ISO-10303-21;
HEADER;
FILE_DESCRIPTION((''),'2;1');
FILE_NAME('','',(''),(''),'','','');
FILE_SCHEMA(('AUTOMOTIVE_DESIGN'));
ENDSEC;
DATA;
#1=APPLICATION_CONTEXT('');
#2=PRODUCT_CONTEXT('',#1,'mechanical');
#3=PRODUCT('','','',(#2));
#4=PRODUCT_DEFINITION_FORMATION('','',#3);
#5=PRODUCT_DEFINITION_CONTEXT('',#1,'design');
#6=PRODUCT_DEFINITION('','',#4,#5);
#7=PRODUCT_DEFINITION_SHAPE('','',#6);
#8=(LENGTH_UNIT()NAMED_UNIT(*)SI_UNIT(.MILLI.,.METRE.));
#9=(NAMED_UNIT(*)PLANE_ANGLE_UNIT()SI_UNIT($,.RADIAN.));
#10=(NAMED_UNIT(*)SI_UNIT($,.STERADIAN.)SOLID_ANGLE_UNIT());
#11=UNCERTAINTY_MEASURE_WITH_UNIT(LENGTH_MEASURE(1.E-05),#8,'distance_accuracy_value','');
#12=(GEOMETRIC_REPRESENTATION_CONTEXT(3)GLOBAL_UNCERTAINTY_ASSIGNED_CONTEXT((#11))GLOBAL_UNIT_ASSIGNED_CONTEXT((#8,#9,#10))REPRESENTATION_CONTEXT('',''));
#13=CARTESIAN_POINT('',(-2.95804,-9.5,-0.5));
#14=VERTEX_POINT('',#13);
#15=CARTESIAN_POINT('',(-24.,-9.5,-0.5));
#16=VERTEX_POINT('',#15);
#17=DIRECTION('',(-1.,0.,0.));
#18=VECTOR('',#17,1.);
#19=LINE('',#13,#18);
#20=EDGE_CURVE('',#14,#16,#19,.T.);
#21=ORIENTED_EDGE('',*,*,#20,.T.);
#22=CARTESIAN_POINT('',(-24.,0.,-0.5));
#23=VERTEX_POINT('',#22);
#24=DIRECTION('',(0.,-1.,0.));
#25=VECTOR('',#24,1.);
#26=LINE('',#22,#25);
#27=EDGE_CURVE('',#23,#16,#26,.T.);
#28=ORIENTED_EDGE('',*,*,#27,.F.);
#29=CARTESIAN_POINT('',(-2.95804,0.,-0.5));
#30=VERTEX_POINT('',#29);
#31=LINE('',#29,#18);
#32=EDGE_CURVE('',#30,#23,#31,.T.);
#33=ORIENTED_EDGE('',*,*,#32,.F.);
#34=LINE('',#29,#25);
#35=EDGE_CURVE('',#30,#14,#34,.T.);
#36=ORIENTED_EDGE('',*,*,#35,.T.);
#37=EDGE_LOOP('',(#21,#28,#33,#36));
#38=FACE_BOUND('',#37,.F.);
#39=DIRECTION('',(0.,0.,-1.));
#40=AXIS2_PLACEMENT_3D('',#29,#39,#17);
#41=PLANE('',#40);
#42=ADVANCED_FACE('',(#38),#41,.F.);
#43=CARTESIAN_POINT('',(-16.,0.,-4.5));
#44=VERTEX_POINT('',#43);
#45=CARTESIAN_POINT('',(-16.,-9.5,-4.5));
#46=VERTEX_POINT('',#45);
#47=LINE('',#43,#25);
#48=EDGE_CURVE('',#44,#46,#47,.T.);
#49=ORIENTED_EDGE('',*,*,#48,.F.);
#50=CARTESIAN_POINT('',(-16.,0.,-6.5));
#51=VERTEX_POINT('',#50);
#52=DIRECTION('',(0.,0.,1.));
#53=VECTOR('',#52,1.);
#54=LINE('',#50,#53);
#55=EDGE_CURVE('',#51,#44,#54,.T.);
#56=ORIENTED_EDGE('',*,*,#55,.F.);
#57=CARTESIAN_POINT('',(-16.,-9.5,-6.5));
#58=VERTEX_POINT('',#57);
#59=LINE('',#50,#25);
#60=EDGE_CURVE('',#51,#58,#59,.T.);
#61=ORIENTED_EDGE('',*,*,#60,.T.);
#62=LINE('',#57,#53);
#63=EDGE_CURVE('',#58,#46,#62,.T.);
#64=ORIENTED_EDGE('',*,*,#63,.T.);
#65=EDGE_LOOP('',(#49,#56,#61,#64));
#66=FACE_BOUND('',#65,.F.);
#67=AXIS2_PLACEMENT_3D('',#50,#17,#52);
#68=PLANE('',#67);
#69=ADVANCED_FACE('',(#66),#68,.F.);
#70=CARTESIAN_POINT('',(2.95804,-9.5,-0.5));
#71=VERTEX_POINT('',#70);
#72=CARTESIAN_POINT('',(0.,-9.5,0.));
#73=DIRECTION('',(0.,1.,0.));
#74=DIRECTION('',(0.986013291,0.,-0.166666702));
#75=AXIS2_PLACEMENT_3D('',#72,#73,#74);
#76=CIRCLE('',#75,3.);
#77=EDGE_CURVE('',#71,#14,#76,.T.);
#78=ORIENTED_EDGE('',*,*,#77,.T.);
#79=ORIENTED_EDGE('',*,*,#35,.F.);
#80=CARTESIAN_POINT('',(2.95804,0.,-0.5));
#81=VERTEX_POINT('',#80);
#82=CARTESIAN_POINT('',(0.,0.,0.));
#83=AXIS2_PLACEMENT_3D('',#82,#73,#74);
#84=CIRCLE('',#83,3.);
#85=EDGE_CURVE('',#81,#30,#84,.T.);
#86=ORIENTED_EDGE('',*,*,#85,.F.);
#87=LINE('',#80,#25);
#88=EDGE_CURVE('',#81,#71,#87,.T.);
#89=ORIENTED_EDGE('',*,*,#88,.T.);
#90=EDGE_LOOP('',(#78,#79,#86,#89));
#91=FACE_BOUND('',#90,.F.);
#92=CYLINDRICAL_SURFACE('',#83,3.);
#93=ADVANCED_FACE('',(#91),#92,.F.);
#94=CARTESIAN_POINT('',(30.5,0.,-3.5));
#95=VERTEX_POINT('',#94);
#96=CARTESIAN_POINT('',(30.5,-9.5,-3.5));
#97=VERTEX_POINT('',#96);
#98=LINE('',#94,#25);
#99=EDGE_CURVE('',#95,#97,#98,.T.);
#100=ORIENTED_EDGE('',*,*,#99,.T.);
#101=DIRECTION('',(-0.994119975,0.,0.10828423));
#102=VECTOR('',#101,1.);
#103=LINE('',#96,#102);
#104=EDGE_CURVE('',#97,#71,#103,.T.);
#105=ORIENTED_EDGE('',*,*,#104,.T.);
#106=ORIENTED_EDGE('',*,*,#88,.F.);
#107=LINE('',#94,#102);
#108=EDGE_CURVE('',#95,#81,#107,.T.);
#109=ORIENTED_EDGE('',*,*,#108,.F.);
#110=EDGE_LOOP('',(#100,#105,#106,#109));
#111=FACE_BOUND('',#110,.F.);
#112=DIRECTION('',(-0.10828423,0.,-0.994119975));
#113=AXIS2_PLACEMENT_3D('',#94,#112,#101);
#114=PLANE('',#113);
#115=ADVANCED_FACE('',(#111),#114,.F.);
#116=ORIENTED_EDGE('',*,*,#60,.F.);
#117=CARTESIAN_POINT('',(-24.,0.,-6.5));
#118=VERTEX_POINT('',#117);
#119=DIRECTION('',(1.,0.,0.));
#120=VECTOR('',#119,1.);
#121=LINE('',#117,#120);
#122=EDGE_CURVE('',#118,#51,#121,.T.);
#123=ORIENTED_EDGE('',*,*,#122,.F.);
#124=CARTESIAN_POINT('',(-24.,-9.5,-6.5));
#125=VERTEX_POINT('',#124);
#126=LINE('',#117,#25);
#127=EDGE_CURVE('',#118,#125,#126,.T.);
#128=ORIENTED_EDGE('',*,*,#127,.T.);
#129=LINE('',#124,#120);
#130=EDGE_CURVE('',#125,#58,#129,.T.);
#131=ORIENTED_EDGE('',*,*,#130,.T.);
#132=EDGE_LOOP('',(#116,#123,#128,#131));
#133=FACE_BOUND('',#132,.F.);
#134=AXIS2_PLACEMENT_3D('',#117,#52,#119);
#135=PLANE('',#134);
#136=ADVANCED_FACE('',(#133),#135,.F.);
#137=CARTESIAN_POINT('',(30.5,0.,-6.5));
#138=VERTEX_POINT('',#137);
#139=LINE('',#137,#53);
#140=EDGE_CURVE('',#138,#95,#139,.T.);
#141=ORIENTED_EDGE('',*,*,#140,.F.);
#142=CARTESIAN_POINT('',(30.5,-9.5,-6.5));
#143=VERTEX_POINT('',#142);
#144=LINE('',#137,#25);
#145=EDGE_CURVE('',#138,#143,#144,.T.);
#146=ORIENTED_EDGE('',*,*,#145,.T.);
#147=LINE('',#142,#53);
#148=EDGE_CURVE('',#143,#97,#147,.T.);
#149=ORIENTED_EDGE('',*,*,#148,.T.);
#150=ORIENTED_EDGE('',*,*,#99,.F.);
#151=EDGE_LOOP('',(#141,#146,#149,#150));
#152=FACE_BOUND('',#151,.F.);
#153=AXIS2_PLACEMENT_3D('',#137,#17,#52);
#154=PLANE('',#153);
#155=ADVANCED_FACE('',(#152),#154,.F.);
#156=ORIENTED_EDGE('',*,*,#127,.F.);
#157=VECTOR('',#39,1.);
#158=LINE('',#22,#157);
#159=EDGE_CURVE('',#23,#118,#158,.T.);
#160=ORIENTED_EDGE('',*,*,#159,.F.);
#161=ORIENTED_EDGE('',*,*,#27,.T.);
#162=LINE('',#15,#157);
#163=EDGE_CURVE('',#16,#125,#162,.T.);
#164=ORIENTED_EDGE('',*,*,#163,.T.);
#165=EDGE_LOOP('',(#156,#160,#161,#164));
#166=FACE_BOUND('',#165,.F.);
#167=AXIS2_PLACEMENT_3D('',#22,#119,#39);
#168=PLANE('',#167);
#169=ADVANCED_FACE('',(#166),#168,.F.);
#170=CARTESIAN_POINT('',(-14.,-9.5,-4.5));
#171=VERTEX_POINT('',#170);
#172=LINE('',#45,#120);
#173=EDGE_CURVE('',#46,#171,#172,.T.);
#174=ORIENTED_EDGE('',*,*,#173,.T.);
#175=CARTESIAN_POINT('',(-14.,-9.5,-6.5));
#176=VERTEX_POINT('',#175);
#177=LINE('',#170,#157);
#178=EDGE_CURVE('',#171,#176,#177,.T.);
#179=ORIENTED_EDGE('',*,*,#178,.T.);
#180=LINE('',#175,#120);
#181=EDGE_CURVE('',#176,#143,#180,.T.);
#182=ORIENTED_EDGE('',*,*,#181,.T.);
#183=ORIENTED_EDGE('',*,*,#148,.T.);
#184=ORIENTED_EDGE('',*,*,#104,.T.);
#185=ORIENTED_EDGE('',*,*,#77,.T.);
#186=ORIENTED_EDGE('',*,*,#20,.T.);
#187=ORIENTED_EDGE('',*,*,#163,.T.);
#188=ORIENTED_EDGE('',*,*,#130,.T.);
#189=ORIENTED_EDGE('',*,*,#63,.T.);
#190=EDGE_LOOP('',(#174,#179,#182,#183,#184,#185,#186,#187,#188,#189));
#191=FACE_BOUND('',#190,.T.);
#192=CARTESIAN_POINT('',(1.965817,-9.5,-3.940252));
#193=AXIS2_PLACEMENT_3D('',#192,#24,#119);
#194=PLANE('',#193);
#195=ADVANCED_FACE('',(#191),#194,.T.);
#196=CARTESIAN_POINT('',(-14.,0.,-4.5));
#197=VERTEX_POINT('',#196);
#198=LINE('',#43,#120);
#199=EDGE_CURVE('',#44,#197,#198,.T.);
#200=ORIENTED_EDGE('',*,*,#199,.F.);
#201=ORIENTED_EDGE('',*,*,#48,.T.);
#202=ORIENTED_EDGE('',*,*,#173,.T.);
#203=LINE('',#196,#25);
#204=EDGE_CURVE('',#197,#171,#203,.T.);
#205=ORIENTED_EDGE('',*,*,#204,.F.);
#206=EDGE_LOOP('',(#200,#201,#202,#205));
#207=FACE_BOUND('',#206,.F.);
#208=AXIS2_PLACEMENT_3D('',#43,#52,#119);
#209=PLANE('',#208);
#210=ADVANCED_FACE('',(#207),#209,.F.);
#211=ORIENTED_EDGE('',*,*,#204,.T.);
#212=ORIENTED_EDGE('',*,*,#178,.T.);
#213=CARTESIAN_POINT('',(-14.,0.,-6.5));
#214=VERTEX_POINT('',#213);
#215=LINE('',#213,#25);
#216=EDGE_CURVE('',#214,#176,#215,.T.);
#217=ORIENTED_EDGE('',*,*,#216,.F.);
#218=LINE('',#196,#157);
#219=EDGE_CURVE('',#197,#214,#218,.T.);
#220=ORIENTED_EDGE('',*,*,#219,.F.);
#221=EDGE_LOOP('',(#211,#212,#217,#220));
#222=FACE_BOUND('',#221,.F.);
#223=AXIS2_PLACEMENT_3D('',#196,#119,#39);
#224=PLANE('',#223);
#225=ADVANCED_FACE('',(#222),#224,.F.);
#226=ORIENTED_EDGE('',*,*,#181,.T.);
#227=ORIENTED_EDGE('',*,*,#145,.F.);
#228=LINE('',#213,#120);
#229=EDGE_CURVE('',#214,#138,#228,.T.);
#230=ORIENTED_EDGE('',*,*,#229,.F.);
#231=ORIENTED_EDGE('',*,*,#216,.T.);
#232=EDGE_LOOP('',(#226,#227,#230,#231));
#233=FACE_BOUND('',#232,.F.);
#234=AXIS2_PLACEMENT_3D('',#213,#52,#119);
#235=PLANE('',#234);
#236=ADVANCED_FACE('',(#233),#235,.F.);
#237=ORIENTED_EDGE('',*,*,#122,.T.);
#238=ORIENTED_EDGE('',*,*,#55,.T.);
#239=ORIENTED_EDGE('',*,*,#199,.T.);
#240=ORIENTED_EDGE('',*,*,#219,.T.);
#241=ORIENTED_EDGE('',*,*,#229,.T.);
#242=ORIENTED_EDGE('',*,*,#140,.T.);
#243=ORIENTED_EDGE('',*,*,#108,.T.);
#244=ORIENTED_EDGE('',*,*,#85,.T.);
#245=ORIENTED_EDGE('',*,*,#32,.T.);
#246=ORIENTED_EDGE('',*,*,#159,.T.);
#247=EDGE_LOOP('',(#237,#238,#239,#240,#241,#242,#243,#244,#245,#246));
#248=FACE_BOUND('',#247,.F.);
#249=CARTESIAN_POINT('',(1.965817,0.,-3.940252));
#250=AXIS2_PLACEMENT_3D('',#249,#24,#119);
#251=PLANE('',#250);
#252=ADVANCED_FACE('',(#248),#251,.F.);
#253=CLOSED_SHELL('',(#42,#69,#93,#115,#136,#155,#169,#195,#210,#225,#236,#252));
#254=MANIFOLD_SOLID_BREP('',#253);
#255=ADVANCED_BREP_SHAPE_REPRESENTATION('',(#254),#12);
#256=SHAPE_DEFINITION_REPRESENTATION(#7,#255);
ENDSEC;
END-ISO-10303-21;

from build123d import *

# Parameters (mm, degrees)
F1_DEPTH = 9.5


with BuildPart() as f1:
    # F0 (on Front) → F1 (new body)
    with BuildSketch(Plane.XZ):
        with BuildLine():
            Line((-14, -6.5), (30.5, -6.5))
            Line((30.5, -6.5), (30.5, -3.5))
            Line((30.5, -3.5), (2.95804, -0.5))
            ThreePointArc((2.95804, -0.5), (0, -3), (-2.95804, -0.5))
            Line((-2.95804, -0.5), (-24, -0.5))
            Line((-24, -0.5), (-24, -6.5))
            Line((-24, -6.5), (-16, -6.5))
            Line((-16, -6.5), (-16, -4.5))
            Line((-16, -4.5), (-14, -4.5))
            Line((-14, -4.5), (-14, -6.5))
        make_face()
    extrude(amount=F1_DEPTH)


solid = f1.part
